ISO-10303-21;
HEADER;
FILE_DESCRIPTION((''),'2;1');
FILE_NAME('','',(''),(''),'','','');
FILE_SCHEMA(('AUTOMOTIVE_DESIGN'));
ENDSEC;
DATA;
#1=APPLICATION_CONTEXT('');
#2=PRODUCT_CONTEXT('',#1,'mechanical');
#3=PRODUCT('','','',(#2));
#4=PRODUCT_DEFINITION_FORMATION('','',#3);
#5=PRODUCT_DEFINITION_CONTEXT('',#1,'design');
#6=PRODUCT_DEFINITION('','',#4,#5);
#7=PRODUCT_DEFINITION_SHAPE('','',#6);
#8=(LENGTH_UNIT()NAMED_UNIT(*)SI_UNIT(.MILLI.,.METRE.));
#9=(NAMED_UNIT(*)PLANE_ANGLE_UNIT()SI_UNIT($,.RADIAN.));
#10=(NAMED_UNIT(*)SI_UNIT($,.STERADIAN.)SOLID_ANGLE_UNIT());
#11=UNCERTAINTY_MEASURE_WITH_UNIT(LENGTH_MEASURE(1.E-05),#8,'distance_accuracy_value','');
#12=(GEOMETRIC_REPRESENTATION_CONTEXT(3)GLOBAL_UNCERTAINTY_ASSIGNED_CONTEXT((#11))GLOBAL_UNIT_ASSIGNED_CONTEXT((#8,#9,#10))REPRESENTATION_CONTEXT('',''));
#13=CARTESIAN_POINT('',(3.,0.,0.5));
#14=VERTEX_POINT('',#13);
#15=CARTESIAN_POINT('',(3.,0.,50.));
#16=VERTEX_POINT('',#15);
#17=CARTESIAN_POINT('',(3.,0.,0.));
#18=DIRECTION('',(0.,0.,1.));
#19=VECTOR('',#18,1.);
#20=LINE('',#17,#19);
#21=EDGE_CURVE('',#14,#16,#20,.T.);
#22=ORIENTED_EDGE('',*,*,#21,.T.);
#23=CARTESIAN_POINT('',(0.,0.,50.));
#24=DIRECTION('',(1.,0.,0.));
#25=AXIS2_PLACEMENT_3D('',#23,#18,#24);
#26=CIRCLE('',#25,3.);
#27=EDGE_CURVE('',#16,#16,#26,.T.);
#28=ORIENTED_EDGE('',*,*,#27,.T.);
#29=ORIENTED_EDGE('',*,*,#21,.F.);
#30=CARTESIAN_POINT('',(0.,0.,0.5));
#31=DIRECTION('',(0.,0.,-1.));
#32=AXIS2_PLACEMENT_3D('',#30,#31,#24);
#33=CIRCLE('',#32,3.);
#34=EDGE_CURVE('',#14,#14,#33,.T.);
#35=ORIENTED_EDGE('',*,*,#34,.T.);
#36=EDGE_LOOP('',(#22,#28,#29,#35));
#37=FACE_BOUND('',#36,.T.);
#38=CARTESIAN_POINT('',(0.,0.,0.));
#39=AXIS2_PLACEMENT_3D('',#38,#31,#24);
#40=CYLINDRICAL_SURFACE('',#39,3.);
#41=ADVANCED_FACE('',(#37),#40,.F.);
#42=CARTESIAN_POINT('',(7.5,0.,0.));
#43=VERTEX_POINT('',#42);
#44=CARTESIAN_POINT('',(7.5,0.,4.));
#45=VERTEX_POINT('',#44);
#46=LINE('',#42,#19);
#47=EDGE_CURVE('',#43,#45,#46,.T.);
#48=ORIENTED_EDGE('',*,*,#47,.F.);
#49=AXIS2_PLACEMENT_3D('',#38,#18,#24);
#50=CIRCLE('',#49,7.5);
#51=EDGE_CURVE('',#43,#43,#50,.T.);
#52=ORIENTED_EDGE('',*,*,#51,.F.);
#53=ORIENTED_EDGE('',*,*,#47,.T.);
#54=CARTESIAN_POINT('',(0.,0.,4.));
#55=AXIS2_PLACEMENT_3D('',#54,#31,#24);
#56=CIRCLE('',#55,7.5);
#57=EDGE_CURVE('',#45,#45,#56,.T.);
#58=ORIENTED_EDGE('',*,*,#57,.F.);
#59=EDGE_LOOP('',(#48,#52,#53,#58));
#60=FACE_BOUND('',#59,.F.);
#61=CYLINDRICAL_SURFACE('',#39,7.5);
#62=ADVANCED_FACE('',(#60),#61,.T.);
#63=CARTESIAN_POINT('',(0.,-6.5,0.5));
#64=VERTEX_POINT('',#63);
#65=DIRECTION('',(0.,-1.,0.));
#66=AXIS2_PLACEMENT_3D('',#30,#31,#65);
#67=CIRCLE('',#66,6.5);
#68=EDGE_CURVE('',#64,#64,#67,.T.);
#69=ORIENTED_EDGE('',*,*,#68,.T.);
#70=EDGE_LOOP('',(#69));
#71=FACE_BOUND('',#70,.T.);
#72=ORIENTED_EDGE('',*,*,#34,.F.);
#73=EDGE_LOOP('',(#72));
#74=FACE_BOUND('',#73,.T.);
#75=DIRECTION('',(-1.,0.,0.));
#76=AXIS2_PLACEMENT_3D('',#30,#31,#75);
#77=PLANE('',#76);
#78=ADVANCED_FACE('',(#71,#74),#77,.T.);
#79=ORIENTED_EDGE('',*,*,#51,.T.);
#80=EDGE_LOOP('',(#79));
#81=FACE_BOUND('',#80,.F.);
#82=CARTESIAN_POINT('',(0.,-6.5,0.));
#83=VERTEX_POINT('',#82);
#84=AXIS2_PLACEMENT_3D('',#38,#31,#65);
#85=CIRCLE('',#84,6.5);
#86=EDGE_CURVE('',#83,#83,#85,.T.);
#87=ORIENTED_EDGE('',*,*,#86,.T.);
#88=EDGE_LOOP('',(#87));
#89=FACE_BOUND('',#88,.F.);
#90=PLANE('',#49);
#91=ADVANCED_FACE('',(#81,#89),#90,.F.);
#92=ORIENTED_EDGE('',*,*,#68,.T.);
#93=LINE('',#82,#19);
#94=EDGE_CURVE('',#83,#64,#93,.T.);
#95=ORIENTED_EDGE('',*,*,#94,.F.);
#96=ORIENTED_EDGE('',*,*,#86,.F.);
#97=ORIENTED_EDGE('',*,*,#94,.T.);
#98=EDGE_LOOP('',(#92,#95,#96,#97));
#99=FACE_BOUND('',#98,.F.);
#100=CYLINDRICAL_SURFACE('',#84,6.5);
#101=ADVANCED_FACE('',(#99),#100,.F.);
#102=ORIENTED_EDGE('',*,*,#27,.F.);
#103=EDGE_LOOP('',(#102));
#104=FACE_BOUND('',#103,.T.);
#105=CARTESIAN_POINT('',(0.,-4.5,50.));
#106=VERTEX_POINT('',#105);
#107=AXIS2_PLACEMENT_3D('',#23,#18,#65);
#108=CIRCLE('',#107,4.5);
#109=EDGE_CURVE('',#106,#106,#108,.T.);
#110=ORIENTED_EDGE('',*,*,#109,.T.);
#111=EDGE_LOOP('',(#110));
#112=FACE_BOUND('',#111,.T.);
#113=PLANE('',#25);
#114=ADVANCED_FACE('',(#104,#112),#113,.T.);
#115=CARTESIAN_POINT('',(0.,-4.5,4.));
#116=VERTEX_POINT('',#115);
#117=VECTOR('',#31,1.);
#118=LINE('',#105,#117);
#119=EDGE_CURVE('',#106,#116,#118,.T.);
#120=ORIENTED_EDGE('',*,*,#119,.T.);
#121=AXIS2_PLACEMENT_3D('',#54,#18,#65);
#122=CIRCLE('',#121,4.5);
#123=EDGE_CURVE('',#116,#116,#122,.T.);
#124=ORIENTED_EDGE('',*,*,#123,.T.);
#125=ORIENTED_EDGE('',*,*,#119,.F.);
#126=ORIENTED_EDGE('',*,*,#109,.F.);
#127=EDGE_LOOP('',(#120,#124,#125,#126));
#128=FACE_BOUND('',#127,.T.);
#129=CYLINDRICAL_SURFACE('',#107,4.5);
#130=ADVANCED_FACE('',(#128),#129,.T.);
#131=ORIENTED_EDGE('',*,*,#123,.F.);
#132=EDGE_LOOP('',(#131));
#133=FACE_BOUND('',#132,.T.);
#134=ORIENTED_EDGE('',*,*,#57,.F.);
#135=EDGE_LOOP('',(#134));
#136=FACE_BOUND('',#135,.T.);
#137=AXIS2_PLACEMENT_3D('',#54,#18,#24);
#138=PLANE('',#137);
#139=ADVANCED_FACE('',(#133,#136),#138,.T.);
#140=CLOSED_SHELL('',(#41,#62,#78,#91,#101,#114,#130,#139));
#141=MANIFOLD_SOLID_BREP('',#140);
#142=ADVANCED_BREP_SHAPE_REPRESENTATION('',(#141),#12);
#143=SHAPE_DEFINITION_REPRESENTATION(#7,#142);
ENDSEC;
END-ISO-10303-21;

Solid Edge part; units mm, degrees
sketch "Sketch1" plane through (0, 0, 0) normal (0, 0, 1) x (1, 0, 0)
  circle A0 centre (0, 0) radius 7.5
  circle A1 centre (0, 0) radius 3
extrude "Protrusion1" add sketch "Sketch1" along normal blind 50
sketch "Sketch2" plane through (0, 0, 50) normal (0, 0, 1) x (0, -1, 0)
  circle A0 centre (0, 0) radius 4.5
  circle A1 centre (0, 0) radius 7.5
extrude "ExtrudedCutout_1" cut sketch "Sketch2" against normal blind 46
sketch "Sketch3" plane through (0, 0, 0) normal (0, 0, -1) x (0, -1, 0)
  circle A0 centre (0, 0) radius 6.5
extrude "ExtrudedCutout_2" cut sketch "Sketch3" against normal blind 0.5
